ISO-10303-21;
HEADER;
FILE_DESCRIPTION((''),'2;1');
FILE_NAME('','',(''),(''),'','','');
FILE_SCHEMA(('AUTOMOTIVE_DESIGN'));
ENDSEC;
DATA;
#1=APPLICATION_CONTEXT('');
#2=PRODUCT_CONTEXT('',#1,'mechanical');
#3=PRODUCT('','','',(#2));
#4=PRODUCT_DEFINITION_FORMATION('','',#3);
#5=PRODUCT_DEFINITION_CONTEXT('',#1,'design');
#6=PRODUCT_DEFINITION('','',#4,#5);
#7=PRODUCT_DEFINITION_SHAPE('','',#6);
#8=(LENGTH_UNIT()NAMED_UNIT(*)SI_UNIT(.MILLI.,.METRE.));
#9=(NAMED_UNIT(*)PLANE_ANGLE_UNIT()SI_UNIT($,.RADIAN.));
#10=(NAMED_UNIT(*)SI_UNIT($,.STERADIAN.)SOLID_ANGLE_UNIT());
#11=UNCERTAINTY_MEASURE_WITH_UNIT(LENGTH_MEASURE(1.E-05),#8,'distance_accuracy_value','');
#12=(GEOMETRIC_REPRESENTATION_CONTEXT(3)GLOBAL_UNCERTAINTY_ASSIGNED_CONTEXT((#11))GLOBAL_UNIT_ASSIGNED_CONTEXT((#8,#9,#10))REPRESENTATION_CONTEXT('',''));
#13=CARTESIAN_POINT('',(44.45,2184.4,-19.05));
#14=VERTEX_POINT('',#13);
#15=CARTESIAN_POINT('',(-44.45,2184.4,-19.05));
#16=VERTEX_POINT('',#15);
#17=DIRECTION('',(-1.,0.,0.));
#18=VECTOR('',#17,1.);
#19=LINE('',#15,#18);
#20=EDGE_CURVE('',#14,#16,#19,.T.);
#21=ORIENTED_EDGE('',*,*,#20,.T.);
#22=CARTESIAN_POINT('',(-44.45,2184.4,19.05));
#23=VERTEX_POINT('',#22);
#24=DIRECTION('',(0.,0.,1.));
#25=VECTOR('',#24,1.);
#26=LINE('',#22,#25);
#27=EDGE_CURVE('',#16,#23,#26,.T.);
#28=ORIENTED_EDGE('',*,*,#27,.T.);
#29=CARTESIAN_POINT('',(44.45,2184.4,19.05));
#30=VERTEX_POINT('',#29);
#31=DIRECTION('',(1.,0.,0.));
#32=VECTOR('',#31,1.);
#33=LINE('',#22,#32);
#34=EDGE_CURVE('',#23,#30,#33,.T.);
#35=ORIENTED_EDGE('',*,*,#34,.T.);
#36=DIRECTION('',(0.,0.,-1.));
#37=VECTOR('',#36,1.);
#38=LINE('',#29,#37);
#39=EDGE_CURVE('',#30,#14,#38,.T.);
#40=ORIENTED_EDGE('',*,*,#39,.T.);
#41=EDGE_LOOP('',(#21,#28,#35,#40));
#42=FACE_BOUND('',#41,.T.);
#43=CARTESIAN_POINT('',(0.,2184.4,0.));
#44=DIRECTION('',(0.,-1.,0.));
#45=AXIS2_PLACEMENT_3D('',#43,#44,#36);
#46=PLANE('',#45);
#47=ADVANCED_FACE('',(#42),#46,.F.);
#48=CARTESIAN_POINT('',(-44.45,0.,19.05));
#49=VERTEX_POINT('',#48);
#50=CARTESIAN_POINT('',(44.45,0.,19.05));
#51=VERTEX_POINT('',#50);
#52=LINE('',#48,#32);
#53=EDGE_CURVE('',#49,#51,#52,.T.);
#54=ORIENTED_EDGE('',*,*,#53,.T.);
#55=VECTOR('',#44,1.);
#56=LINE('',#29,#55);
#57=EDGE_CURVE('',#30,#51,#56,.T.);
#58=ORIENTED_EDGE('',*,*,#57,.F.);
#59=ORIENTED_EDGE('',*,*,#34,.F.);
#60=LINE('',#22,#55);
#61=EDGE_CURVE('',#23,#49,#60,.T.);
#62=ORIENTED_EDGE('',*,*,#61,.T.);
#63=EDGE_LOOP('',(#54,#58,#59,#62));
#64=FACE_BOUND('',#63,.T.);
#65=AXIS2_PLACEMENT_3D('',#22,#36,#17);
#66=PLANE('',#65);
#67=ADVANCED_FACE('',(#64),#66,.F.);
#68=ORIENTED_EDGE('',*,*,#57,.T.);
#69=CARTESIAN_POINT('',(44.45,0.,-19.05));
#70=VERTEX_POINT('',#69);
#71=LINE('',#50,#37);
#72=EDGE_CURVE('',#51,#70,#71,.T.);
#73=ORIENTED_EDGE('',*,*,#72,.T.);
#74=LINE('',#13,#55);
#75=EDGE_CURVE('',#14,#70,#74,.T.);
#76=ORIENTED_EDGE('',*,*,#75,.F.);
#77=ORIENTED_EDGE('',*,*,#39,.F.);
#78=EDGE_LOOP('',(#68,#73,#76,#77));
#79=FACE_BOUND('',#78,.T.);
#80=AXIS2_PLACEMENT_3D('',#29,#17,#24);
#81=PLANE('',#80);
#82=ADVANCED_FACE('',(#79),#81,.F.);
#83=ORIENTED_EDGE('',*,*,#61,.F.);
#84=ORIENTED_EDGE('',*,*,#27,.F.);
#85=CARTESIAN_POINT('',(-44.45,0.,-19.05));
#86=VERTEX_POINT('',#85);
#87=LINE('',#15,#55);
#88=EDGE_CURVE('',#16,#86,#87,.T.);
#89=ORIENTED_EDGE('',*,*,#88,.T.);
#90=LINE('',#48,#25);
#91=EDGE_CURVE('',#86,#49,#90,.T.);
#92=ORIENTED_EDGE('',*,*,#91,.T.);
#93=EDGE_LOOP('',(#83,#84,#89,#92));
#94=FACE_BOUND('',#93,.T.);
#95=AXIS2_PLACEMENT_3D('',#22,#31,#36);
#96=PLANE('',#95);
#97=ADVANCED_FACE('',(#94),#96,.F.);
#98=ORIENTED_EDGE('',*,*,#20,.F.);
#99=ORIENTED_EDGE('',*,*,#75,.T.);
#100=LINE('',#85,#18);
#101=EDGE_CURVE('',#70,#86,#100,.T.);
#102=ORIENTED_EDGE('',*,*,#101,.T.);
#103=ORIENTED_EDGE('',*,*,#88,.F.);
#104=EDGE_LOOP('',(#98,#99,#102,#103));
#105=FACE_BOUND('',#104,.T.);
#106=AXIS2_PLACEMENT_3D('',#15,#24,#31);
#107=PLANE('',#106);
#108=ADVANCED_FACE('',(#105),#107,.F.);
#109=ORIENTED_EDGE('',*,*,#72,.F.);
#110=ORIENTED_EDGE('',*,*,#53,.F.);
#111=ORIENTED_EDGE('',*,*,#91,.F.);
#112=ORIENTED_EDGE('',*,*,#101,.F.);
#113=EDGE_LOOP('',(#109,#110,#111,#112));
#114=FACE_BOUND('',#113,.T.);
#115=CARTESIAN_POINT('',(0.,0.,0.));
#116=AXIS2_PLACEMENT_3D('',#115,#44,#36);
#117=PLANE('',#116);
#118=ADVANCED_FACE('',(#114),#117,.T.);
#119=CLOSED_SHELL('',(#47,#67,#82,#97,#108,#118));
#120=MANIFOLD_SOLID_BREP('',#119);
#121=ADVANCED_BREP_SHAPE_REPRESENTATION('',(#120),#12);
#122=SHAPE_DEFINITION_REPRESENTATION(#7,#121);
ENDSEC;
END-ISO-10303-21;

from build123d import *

# Parameters (mm, degrees)
SKETCH1_W           = 88.9
SKETCH1_H           = 38.1
BOSS_EXTRUDE1_DEPTH = 2184.4


with BuildPart() as part:
    # Sketch1 → Boss-Extrude1 (new body)
    with BuildSketch(Plane(origin=(0, 0, 0), x_dir=(1, 0, 0), z_dir=(0, 1, 0))):
        Rectangle(SKETCH1_W, SKETCH1_H)
    extrude(amount=BOSS_EXTRUDE1_DEPTH)


solid = part.part
